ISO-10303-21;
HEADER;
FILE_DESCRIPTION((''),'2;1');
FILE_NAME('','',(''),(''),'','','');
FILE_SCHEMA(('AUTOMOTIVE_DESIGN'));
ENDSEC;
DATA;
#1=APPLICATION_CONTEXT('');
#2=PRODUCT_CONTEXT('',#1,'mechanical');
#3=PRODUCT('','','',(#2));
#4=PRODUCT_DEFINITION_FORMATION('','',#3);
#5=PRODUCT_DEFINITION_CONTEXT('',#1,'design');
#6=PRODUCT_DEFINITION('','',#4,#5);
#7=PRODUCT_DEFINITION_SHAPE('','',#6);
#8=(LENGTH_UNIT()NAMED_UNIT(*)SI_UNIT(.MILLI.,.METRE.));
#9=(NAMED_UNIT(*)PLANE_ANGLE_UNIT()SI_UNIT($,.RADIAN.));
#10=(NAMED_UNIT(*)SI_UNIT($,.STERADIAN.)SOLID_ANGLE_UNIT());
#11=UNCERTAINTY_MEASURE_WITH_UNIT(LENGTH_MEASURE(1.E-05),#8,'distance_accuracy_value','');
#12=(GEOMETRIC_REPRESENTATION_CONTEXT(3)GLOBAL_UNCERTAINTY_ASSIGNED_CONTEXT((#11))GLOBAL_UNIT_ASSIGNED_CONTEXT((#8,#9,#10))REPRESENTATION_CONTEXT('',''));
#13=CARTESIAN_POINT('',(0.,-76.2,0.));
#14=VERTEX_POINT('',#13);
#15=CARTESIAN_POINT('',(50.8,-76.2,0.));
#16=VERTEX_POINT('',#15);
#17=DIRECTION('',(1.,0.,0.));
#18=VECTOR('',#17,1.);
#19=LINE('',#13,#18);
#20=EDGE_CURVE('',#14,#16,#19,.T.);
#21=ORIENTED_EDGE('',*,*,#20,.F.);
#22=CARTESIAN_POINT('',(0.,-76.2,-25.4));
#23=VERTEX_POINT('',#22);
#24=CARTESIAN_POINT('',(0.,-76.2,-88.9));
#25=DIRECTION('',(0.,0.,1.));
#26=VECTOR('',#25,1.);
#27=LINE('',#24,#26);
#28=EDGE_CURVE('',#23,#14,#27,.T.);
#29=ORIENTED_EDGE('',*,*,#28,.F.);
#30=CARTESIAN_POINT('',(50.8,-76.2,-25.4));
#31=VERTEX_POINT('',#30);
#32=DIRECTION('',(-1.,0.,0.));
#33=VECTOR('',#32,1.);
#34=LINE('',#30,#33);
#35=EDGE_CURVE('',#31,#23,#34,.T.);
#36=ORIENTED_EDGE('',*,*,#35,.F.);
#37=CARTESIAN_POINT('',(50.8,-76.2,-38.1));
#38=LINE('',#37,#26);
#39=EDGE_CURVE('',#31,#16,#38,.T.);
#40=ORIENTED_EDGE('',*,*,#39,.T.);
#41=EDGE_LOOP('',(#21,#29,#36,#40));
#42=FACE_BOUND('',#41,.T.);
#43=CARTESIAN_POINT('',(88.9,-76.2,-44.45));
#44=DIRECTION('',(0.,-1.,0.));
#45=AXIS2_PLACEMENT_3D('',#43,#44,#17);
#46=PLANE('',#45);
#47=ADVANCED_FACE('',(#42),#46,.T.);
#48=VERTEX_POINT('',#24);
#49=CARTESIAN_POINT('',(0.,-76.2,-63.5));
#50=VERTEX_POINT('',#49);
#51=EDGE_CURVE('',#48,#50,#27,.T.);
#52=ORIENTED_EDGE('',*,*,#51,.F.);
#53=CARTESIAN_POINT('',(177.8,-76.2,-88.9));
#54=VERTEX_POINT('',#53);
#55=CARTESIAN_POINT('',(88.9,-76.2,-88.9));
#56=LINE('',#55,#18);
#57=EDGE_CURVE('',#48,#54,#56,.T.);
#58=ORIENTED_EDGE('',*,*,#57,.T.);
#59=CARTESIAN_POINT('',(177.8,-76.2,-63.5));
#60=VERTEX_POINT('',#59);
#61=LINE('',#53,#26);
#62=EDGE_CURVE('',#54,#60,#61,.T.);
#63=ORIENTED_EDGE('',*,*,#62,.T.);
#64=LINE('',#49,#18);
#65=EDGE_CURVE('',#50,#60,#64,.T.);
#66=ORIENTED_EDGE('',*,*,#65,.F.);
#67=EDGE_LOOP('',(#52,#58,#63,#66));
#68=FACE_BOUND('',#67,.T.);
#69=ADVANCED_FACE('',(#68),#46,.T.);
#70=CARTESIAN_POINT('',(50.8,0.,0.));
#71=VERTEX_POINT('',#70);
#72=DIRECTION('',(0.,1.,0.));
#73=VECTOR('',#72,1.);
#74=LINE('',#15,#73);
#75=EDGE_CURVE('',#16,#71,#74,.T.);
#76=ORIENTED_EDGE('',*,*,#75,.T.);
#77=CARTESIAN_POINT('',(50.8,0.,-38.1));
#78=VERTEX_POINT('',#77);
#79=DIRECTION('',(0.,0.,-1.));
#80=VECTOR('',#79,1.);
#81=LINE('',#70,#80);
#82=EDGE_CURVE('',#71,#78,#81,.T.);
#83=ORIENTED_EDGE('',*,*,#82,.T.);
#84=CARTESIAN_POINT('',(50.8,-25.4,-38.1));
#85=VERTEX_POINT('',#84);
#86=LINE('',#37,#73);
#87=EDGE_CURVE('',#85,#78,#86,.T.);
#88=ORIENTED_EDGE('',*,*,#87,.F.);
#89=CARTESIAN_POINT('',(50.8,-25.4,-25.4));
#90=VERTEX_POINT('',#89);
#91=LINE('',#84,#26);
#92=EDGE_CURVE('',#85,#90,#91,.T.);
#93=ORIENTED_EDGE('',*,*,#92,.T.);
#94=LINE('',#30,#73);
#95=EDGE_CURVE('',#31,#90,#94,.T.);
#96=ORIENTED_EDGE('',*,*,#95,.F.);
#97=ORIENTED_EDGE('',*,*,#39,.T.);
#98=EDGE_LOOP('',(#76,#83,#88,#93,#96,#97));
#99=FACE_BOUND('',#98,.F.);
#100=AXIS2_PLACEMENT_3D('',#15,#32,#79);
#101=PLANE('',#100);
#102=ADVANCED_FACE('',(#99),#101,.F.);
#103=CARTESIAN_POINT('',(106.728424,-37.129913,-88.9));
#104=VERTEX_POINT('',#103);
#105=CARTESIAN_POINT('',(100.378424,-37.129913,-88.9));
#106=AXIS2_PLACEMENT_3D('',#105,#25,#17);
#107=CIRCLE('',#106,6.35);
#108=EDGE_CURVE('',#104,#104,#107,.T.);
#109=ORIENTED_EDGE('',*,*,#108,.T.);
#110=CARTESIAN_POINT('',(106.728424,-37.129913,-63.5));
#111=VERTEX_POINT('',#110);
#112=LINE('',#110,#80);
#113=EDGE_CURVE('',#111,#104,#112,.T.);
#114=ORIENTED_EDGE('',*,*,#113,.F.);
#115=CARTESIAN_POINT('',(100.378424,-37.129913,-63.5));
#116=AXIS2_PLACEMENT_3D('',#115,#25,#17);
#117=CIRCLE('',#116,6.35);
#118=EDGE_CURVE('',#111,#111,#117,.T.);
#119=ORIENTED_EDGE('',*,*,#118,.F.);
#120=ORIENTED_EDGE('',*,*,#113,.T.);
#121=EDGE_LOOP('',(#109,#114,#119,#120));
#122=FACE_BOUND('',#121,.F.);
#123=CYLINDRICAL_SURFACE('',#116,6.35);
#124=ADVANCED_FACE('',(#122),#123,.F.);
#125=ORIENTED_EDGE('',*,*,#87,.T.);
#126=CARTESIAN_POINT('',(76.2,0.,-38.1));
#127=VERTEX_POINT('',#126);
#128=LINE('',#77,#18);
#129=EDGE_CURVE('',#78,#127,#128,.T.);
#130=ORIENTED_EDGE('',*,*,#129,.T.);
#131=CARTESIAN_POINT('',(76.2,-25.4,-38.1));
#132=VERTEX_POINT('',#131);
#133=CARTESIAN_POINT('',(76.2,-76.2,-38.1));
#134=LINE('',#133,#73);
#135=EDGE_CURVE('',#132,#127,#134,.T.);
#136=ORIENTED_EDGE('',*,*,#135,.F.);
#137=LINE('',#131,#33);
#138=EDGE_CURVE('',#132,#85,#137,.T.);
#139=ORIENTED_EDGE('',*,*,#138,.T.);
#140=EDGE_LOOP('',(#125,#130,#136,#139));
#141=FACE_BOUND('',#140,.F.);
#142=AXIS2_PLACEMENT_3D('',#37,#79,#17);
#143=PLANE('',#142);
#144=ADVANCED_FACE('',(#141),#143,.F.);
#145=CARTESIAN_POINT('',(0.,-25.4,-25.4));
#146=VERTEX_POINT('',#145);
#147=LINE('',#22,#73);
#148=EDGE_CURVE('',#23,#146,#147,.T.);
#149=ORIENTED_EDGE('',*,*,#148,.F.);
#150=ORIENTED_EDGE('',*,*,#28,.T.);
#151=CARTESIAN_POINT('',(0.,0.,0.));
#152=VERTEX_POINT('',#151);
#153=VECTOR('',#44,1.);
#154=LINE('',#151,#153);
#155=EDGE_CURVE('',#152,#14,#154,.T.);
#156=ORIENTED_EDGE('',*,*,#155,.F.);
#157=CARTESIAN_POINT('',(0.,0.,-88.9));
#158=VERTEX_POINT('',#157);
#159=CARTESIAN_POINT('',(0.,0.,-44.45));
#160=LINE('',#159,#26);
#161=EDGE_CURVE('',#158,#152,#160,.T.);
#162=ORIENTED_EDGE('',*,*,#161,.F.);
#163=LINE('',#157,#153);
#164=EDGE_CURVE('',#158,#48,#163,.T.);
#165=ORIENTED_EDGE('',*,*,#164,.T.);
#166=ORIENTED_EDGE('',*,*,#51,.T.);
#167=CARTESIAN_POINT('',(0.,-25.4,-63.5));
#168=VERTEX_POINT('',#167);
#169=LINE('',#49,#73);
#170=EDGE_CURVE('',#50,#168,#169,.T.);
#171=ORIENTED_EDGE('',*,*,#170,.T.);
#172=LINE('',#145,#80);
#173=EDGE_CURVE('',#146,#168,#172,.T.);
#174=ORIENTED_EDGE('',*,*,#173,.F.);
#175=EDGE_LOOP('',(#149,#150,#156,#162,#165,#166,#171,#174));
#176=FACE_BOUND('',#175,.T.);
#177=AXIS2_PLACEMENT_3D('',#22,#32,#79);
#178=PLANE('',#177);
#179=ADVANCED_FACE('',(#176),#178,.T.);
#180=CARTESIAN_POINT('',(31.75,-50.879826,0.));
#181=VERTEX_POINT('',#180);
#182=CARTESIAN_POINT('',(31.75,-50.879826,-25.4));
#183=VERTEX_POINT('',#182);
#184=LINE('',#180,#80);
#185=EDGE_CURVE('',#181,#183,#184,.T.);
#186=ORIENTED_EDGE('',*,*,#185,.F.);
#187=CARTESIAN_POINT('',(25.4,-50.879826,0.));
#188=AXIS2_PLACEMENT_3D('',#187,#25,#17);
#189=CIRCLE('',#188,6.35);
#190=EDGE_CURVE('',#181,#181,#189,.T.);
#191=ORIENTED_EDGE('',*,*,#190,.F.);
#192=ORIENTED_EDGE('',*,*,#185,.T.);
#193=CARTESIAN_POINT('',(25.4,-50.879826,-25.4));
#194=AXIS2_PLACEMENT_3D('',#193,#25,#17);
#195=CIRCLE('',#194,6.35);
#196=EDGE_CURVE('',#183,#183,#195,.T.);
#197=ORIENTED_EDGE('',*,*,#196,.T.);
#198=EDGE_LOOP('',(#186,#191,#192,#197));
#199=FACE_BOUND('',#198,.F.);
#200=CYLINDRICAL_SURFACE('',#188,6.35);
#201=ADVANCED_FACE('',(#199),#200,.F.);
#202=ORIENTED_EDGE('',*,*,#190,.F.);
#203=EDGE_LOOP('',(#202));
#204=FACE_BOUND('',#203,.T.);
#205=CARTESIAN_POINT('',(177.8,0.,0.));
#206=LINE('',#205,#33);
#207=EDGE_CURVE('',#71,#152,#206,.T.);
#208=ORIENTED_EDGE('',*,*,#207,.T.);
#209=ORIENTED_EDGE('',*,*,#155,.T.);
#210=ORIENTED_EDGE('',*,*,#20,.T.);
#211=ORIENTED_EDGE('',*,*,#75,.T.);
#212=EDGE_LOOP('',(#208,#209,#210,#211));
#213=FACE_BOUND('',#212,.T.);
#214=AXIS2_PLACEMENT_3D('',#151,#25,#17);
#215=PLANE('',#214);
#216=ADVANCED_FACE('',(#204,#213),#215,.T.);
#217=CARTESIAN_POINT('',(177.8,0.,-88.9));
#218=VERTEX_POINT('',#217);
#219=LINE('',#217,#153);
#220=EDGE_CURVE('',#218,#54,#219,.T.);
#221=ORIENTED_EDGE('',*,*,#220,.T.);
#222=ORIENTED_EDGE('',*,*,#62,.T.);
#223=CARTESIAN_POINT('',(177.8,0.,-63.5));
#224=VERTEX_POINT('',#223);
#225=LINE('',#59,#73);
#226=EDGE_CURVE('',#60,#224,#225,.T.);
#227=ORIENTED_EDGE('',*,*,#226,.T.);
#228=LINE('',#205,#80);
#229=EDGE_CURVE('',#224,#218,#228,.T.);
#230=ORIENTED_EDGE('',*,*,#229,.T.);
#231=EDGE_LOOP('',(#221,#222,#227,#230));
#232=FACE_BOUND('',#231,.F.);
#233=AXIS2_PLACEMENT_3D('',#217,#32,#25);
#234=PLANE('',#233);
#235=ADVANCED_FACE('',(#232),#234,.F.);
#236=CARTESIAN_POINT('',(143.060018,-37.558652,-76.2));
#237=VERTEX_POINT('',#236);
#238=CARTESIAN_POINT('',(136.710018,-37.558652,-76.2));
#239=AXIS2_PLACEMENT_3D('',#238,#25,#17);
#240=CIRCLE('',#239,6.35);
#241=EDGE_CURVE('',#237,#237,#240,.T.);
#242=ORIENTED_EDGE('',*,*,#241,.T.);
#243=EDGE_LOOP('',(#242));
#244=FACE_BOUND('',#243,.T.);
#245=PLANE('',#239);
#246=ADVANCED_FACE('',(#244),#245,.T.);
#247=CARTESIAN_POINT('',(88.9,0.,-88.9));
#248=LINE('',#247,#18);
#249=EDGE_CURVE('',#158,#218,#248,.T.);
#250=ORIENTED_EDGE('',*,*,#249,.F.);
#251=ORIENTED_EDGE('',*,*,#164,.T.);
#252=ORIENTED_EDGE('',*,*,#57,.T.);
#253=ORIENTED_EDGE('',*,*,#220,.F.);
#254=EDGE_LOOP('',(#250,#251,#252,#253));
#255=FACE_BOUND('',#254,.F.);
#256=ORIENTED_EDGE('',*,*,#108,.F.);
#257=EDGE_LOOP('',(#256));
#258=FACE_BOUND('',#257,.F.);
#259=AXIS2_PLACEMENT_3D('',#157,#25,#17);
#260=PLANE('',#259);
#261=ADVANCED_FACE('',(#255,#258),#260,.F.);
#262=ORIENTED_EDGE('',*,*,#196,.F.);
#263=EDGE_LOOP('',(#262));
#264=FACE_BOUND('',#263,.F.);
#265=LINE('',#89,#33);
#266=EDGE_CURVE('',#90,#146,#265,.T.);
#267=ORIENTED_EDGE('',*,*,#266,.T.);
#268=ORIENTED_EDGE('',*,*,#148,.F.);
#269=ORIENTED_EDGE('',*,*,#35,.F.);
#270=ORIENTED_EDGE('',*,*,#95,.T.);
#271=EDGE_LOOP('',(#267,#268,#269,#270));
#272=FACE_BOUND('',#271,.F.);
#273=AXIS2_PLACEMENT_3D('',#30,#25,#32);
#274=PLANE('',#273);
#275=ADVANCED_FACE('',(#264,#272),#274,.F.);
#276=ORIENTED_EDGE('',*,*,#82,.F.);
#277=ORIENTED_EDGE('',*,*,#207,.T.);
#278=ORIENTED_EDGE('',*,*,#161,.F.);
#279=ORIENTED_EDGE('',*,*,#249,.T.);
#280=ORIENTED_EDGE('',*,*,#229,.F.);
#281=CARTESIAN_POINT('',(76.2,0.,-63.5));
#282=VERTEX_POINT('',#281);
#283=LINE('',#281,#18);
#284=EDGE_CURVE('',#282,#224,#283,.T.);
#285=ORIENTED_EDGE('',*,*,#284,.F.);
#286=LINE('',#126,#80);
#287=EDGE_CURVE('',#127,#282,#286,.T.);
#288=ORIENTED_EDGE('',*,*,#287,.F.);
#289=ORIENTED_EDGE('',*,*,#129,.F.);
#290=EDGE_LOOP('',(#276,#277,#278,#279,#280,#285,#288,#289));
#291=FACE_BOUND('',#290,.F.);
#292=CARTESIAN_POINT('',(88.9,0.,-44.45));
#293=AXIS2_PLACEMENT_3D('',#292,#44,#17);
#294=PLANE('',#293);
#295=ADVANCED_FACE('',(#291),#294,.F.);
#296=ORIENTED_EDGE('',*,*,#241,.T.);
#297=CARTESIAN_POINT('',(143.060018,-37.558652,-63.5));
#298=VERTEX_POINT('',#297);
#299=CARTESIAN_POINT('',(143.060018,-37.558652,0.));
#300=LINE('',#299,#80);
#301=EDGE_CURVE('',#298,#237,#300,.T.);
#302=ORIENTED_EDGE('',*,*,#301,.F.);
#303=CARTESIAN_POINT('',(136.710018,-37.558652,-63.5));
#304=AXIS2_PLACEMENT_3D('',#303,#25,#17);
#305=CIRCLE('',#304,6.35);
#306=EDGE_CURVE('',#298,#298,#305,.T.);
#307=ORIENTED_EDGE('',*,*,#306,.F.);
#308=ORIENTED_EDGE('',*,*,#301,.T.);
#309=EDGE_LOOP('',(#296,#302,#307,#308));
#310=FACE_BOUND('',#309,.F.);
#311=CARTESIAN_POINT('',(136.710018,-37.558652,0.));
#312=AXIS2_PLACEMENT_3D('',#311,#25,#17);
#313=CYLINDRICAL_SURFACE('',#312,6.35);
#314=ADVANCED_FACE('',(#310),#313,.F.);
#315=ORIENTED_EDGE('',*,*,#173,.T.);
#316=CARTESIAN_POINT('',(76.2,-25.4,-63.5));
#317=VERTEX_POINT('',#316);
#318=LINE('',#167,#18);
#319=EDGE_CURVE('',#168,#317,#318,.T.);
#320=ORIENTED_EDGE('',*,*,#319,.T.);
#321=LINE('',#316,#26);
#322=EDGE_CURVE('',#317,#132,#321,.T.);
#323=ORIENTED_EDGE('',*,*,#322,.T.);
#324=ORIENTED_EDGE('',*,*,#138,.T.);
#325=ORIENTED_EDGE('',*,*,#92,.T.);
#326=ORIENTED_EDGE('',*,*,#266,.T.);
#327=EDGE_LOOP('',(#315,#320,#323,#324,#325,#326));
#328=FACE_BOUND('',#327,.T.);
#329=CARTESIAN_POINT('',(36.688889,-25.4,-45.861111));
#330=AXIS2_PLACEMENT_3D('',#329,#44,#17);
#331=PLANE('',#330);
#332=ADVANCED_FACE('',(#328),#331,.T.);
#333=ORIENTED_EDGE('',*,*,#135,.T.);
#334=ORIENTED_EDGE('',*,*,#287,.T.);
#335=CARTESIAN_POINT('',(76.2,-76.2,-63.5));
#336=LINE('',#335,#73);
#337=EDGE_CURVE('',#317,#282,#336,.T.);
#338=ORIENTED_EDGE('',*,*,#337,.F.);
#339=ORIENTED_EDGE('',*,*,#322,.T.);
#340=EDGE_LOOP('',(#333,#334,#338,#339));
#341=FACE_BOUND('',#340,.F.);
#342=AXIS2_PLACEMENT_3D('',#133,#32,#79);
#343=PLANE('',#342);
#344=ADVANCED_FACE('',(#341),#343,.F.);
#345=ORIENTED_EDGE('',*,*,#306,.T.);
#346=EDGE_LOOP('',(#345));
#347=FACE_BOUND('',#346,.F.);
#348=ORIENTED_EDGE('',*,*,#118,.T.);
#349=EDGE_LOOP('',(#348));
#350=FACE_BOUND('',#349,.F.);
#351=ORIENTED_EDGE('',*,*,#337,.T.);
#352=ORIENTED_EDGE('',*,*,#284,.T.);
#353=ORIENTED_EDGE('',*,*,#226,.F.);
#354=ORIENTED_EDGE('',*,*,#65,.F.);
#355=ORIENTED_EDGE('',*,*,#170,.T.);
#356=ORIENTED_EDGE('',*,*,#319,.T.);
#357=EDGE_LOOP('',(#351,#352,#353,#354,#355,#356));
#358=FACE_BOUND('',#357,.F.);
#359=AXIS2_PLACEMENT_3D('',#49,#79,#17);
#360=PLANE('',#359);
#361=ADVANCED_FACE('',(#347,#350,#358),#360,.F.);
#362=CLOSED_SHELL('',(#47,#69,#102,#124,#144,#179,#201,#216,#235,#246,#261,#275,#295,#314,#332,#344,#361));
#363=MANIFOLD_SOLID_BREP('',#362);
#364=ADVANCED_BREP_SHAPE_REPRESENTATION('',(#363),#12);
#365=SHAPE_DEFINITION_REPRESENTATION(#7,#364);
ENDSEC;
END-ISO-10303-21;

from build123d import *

# Parameters (mm, degrees)
F0_W      = 177.8
F0_H      = 88.9
F1_DEPTH  = 76.2
F2_W      = 50.8
F2_H      = 25.4
F3_DEPTH  = 76.2
F4_DEPTH  = 76.2
F5_DEPTH  = 76.2
F6_DEPTH  = 50.8
F7_DEPTH  = 50.8
F8_R      = 6.35
F9_DEPTH  = 25.4
F11_DEPTH = 25.4
F12_DEPTH = 25.4
F13_R     = 6.35
F14_DEPTH = 25.4
F15_R     = 6.35
F16_DEPTH = 50.8
F17_R     = 6.35
F18_DEPTH = 76.2


with BuildPart() as f1:
    # F0 (on Front) → F1 (new body)
    with BuildSketch(Plane.XZ):
        with Locations((88.9, -44.45)):
            Rectangle(F0_W, F0_H)
    extrude(amount=F1_DEPTH)

    # F2 (on face) → F3 (join)
    with BuildSketch(Plane.XZ.offset(76.2)):
        with Locations((25.4, -12.7)):
            Rectangle(F2_W, F2_H)
        Polygon((0, -63.5), (0, -88.9), (177.8, -88.9), (177.8, -63.5), (76.2, -63.5), align=None)
        Polygon((0, -25.4), (0, -63.5), (76.2, -63.5), (76.2, -38.1), (50.8, -38.1), (50.8, -25.4), align=None)
    extrude(amount=-F3_DEPTH)

    # F2 (on face) → F4 (join)
    with BuildSketch(Plane.XZ.offset(76.2)):
        with Locations((25.4, -12.7)):
            Rectangle(F2_W, F2_H)
        Polygon((0, -25.4), (0, -63.5), (76.2, -63.5), (76.2, -38.1), (50.8, -38.1), (50.8, -25.4), align=None)
        Polygon((0, -63.5), (0, -88.9), (177.8, -88.9), (177.8, -63.5), (76.2, -63.5), align=None)
    extrude(amount=-F4_DEPTH)

    # F2 (on face) → F5 (cut)
    with BuildSketch(Plane.XZ.offset(76.2)):
        Polygon((76.2, -38.1), (76.2, -63.5), (177.8, -63.5), (177.8, 0), (50.8, 0), (50.8, -25.4), (50.8, -38.1), align=None)
    extrude(amount=-F5_DEPTH, mode=Mode.SUBTRACT)

    # F2 (on face) → F6 (join)
    with BuildSketch(Plane.XZ.offset(76.2)):
        Polygon((0, -25.4), (0, -63.5), (76.2, -63.5), (76.2, -38.1), (50.8, -38.1), (50.8, -25.4), align=None)
    extrude(amount=-F6_DEPTH)

    # F2 (on face) → F7 (cut)
    with BuildSketch(Plane.XZ.offset(76.2)):
        Polygon((0, -25.4), (0, -63.5), (76.2, -63.5), (76.2, -38.1), (50.8, -38.1), (50.8, -25.4), align=None)
    extrude(amount=-F7_DEPTH, mode=Mode.SUBTRACT)

    # F8 (on Top) → F9 (join)
    with BuildSketch(Plane.XY):
        with Locations((25.4, -50.079788)):
            Circle(F8_R)
    extrude(amount=-F9_DEPTH)

    # F10 (on Top) → F11 (cut)
    with BuildSketch(Plane.XY):
        with BuildLine():
            ThreePointArc((19.05, -50.879826), (25.4, -57.229826), (31.75, -50.879826))
            ThreePointArc((31.75, -50.879826), (25.4, -44.529826), (19.05, -50.879826))
        make_face()
    extrude(amount=-F11_DEPTH, mode=Mode.SUBTRACT)

    # F10 (on Top) → F12 (cut)
    with BuildSketch(Plane.XY):
        with BuildLine():
            ThreePointArc((19.05, -50.879826), (25.4, -57.229826), (31.75, -50.879826))
            ThreePointArc((31.75, -50.879826), (25.4, -44.529826), (19.05, -50.879826))
        make_face()
    extrude(amount=-F12_DEPTH, mode=Mode.SUBTRACT)

    # F13 (on Top) → F14 (cut)
    with BuildSketch(Plane.XY):
        with Locations((139.137983, -37.799459)):
            Circle(F13_R)
        with Locations((101.160564, -37.799459)):
            Circle(F13_R)
    extrude(amount=-F14_DEPTH, mode=Mode.SUBTRACT)

    # F15 (on face) → F16 (cut)
    with BuildSketch(Plane.XY.offset(-63.5)):
        with Locations((100.378424, -37.129913)):
            Circle(F15_R)
    extrude(amount=-F16_DEPTH, mode=Mode.SUBTRACT)

    # F17 (on Top) → F18 (cut)
    with BuildSketch(Plane.XY):
        with Locations((136.710018, -37.558652)):
            Circle(F17_R)
    extrude(amount=-F18_DEPTH, mode=Mode.SUBTRACT)


solid = f1.part
